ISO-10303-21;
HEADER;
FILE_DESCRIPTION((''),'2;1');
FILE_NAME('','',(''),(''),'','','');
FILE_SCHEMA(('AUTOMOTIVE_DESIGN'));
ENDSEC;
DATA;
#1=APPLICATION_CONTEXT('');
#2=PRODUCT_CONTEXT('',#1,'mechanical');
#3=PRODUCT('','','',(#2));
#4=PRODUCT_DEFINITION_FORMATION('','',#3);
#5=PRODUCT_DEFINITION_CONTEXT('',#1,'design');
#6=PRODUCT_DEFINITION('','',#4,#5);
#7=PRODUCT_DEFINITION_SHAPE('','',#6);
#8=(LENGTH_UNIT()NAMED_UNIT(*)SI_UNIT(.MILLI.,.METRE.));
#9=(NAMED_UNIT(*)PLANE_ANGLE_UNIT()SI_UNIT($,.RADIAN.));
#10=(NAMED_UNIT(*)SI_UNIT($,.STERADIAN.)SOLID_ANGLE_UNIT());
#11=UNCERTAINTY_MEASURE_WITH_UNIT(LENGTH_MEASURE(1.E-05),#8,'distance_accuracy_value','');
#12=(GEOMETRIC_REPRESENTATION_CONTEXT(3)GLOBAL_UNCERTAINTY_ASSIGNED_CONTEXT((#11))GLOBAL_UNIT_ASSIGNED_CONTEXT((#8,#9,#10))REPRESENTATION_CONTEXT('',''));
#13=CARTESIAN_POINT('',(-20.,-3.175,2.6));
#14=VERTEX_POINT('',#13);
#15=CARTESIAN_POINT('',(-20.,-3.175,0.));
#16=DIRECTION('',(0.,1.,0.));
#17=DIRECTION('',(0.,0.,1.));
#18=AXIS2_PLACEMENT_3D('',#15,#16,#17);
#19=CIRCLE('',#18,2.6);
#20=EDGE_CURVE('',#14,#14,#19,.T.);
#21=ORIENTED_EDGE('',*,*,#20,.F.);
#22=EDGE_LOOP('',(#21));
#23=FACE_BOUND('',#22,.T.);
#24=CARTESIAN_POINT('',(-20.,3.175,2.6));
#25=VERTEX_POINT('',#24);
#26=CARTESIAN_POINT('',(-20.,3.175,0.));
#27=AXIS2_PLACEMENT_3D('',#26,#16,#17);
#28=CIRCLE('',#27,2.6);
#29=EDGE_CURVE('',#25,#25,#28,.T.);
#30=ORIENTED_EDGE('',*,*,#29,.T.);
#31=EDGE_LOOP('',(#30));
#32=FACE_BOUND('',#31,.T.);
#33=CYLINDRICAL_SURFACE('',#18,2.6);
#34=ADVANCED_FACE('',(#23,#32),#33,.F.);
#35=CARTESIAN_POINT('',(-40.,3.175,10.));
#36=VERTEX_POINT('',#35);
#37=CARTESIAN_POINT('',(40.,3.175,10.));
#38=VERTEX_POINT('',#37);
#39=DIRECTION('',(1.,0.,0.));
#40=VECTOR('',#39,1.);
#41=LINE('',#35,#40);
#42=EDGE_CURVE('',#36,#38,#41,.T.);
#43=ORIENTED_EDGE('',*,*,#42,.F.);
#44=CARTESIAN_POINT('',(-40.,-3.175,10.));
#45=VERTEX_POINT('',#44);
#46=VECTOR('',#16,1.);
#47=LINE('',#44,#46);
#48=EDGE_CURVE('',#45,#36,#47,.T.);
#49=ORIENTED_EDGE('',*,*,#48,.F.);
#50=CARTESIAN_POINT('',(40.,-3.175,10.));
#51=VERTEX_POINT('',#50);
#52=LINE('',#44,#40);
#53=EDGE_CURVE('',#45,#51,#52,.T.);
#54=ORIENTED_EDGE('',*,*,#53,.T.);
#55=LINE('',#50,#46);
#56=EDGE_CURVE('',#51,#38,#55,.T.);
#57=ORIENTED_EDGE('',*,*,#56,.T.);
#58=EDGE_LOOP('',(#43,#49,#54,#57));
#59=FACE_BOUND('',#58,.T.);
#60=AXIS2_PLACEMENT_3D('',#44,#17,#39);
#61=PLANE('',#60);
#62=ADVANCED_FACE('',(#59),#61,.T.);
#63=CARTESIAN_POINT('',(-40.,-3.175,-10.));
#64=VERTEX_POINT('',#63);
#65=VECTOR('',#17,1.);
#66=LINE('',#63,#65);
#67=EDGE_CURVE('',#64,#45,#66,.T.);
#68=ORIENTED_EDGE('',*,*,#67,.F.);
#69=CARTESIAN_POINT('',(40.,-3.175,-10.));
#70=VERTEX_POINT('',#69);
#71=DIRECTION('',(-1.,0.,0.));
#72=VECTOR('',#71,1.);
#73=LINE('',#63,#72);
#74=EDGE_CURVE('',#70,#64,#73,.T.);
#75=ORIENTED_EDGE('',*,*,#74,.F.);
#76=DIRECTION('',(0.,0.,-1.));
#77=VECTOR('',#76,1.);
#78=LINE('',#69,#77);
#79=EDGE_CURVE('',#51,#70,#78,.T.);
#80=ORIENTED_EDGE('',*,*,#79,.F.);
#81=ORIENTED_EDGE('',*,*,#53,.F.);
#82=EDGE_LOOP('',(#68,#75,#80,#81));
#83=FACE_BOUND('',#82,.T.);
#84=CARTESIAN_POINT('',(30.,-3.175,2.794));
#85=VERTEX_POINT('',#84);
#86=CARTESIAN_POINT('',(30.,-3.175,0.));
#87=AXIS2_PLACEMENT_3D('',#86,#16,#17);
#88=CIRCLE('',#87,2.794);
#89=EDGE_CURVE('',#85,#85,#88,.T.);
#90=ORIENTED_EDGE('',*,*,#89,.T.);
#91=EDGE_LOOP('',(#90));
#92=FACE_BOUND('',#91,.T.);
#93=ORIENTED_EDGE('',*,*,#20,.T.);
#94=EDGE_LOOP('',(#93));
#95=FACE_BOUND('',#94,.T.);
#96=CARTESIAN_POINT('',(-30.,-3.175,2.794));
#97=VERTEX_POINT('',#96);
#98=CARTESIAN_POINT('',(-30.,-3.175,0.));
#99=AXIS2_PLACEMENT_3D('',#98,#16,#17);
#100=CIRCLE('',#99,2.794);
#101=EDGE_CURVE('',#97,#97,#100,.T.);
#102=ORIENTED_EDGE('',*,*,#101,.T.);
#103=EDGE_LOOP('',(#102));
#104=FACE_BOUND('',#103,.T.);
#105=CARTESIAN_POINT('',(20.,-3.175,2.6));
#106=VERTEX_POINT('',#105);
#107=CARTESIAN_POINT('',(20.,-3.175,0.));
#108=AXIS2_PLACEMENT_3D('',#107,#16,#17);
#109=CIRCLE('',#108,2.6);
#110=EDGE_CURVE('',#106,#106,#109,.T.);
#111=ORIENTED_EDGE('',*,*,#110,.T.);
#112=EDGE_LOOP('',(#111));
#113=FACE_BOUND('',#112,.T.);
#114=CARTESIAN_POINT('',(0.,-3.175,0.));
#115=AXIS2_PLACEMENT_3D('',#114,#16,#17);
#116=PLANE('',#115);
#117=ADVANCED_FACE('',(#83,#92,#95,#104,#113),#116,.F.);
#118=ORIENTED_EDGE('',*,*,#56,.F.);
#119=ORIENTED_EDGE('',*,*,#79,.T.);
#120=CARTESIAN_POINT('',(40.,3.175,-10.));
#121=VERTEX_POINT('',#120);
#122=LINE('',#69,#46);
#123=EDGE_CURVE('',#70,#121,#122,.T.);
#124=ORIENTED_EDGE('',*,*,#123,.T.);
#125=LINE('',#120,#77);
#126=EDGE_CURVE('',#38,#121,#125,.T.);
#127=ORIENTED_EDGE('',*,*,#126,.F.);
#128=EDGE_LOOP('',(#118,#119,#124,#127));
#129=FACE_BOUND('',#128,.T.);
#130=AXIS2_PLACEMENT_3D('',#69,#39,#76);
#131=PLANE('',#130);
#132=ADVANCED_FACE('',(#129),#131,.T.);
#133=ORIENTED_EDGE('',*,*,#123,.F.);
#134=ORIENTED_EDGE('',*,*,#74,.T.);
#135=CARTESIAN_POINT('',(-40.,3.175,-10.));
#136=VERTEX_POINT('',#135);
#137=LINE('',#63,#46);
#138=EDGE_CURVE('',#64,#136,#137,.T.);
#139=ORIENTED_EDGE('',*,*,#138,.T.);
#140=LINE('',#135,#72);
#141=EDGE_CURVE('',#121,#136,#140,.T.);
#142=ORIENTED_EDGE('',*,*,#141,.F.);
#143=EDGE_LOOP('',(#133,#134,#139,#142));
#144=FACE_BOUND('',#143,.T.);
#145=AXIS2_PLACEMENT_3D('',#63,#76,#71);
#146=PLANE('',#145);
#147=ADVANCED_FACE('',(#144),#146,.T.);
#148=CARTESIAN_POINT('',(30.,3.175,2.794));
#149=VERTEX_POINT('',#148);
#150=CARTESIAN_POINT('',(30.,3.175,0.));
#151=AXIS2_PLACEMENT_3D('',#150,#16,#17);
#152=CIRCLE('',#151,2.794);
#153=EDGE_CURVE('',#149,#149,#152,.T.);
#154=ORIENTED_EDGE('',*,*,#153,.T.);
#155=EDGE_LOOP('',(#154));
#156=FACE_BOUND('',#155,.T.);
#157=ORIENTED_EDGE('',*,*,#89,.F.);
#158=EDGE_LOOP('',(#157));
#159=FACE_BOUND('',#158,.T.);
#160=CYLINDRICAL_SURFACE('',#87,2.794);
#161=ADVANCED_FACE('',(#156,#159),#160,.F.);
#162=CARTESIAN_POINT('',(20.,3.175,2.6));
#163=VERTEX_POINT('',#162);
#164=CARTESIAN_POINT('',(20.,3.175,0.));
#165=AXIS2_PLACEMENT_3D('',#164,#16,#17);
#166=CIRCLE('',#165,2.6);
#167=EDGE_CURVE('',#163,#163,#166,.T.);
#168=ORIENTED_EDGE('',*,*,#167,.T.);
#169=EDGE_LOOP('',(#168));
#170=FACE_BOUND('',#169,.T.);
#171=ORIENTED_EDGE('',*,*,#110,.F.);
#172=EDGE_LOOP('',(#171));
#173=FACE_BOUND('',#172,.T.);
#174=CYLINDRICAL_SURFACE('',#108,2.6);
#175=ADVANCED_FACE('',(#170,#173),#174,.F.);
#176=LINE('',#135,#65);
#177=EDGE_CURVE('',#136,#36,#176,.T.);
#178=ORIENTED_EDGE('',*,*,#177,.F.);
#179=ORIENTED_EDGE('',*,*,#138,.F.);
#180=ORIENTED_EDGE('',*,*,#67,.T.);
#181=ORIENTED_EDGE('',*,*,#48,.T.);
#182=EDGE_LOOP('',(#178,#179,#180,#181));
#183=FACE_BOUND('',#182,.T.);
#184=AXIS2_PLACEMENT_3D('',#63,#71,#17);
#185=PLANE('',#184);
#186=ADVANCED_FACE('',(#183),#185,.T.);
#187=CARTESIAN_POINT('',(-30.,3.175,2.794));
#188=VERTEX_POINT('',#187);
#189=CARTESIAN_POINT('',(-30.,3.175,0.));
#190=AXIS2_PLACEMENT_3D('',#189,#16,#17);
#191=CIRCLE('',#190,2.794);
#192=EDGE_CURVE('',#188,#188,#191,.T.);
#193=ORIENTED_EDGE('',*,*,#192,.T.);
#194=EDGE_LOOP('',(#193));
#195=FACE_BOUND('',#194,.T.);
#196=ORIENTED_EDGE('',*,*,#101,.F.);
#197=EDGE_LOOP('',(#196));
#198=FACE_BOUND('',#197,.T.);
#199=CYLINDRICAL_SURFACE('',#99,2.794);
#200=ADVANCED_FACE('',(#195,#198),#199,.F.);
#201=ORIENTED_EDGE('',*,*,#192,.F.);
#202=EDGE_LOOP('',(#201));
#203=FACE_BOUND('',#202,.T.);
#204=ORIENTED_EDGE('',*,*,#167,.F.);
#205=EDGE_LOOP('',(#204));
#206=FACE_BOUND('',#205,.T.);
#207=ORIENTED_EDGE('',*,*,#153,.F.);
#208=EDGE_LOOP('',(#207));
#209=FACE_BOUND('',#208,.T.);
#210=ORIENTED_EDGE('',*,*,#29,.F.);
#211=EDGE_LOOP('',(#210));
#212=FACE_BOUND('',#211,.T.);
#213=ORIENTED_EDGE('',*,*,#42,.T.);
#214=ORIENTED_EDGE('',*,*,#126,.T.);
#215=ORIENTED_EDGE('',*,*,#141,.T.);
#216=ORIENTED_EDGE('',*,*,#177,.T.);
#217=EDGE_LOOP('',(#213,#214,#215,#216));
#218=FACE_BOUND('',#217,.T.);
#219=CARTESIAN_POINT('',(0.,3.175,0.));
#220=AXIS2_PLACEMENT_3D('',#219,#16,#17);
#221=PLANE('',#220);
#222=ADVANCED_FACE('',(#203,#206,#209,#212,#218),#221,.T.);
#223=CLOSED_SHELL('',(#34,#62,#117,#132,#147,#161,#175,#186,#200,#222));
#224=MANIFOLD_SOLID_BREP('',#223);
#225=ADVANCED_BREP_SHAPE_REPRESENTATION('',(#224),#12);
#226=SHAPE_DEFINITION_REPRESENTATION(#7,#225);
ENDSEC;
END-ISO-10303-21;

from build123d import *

# Parameters (mm, degrees)
BOSS_EXTRUDE1_DEPTH      = 3.175
BOSS_EXTRUDE1_DEPTH_BACK = 3.175
SKETCH1_W                = 80
SKETCH1_H                = 20
SKETCH1_R                = 2.794
SKETCH1_R_2              = 2.6


with BuildPart() as part:
    # Sketch1 → Boss-Extrude1 (new, two sides: drawn at the far end of the back side and taken through both)
    with BuildSketch(Plane(origin=(0, 0, 0), x_dir=(1, 0, 0), z_dir=(0, 1, 0)).offset(-BOSS_EXTRUDE1_DEPTH_BACK)):
        Rectangle(SKETCH1_W, SKETCH1_H)
        with Locations((-30, 0)):
            Circle(SKETCH1_R, mode=Mode.SUBTRACT)
        with Locations((30, 0)):
            Circle(SKETCH1_R, mode=Mode.SUBTRACT)
        with Locations((-20, 0)):
            Circle(SKETCH1_R_2, mode=Mode.SUBTRACT)
        with Locations((20, 0)):
            Circle(SKETCH1_R_2, mode=Mode.SUBTRACT)
    extrude(amount=BOSS_EXTRUDE1_DEPTH + BOSS_EXTRUDE1_DEPTH_BACK)


solid = part.part
